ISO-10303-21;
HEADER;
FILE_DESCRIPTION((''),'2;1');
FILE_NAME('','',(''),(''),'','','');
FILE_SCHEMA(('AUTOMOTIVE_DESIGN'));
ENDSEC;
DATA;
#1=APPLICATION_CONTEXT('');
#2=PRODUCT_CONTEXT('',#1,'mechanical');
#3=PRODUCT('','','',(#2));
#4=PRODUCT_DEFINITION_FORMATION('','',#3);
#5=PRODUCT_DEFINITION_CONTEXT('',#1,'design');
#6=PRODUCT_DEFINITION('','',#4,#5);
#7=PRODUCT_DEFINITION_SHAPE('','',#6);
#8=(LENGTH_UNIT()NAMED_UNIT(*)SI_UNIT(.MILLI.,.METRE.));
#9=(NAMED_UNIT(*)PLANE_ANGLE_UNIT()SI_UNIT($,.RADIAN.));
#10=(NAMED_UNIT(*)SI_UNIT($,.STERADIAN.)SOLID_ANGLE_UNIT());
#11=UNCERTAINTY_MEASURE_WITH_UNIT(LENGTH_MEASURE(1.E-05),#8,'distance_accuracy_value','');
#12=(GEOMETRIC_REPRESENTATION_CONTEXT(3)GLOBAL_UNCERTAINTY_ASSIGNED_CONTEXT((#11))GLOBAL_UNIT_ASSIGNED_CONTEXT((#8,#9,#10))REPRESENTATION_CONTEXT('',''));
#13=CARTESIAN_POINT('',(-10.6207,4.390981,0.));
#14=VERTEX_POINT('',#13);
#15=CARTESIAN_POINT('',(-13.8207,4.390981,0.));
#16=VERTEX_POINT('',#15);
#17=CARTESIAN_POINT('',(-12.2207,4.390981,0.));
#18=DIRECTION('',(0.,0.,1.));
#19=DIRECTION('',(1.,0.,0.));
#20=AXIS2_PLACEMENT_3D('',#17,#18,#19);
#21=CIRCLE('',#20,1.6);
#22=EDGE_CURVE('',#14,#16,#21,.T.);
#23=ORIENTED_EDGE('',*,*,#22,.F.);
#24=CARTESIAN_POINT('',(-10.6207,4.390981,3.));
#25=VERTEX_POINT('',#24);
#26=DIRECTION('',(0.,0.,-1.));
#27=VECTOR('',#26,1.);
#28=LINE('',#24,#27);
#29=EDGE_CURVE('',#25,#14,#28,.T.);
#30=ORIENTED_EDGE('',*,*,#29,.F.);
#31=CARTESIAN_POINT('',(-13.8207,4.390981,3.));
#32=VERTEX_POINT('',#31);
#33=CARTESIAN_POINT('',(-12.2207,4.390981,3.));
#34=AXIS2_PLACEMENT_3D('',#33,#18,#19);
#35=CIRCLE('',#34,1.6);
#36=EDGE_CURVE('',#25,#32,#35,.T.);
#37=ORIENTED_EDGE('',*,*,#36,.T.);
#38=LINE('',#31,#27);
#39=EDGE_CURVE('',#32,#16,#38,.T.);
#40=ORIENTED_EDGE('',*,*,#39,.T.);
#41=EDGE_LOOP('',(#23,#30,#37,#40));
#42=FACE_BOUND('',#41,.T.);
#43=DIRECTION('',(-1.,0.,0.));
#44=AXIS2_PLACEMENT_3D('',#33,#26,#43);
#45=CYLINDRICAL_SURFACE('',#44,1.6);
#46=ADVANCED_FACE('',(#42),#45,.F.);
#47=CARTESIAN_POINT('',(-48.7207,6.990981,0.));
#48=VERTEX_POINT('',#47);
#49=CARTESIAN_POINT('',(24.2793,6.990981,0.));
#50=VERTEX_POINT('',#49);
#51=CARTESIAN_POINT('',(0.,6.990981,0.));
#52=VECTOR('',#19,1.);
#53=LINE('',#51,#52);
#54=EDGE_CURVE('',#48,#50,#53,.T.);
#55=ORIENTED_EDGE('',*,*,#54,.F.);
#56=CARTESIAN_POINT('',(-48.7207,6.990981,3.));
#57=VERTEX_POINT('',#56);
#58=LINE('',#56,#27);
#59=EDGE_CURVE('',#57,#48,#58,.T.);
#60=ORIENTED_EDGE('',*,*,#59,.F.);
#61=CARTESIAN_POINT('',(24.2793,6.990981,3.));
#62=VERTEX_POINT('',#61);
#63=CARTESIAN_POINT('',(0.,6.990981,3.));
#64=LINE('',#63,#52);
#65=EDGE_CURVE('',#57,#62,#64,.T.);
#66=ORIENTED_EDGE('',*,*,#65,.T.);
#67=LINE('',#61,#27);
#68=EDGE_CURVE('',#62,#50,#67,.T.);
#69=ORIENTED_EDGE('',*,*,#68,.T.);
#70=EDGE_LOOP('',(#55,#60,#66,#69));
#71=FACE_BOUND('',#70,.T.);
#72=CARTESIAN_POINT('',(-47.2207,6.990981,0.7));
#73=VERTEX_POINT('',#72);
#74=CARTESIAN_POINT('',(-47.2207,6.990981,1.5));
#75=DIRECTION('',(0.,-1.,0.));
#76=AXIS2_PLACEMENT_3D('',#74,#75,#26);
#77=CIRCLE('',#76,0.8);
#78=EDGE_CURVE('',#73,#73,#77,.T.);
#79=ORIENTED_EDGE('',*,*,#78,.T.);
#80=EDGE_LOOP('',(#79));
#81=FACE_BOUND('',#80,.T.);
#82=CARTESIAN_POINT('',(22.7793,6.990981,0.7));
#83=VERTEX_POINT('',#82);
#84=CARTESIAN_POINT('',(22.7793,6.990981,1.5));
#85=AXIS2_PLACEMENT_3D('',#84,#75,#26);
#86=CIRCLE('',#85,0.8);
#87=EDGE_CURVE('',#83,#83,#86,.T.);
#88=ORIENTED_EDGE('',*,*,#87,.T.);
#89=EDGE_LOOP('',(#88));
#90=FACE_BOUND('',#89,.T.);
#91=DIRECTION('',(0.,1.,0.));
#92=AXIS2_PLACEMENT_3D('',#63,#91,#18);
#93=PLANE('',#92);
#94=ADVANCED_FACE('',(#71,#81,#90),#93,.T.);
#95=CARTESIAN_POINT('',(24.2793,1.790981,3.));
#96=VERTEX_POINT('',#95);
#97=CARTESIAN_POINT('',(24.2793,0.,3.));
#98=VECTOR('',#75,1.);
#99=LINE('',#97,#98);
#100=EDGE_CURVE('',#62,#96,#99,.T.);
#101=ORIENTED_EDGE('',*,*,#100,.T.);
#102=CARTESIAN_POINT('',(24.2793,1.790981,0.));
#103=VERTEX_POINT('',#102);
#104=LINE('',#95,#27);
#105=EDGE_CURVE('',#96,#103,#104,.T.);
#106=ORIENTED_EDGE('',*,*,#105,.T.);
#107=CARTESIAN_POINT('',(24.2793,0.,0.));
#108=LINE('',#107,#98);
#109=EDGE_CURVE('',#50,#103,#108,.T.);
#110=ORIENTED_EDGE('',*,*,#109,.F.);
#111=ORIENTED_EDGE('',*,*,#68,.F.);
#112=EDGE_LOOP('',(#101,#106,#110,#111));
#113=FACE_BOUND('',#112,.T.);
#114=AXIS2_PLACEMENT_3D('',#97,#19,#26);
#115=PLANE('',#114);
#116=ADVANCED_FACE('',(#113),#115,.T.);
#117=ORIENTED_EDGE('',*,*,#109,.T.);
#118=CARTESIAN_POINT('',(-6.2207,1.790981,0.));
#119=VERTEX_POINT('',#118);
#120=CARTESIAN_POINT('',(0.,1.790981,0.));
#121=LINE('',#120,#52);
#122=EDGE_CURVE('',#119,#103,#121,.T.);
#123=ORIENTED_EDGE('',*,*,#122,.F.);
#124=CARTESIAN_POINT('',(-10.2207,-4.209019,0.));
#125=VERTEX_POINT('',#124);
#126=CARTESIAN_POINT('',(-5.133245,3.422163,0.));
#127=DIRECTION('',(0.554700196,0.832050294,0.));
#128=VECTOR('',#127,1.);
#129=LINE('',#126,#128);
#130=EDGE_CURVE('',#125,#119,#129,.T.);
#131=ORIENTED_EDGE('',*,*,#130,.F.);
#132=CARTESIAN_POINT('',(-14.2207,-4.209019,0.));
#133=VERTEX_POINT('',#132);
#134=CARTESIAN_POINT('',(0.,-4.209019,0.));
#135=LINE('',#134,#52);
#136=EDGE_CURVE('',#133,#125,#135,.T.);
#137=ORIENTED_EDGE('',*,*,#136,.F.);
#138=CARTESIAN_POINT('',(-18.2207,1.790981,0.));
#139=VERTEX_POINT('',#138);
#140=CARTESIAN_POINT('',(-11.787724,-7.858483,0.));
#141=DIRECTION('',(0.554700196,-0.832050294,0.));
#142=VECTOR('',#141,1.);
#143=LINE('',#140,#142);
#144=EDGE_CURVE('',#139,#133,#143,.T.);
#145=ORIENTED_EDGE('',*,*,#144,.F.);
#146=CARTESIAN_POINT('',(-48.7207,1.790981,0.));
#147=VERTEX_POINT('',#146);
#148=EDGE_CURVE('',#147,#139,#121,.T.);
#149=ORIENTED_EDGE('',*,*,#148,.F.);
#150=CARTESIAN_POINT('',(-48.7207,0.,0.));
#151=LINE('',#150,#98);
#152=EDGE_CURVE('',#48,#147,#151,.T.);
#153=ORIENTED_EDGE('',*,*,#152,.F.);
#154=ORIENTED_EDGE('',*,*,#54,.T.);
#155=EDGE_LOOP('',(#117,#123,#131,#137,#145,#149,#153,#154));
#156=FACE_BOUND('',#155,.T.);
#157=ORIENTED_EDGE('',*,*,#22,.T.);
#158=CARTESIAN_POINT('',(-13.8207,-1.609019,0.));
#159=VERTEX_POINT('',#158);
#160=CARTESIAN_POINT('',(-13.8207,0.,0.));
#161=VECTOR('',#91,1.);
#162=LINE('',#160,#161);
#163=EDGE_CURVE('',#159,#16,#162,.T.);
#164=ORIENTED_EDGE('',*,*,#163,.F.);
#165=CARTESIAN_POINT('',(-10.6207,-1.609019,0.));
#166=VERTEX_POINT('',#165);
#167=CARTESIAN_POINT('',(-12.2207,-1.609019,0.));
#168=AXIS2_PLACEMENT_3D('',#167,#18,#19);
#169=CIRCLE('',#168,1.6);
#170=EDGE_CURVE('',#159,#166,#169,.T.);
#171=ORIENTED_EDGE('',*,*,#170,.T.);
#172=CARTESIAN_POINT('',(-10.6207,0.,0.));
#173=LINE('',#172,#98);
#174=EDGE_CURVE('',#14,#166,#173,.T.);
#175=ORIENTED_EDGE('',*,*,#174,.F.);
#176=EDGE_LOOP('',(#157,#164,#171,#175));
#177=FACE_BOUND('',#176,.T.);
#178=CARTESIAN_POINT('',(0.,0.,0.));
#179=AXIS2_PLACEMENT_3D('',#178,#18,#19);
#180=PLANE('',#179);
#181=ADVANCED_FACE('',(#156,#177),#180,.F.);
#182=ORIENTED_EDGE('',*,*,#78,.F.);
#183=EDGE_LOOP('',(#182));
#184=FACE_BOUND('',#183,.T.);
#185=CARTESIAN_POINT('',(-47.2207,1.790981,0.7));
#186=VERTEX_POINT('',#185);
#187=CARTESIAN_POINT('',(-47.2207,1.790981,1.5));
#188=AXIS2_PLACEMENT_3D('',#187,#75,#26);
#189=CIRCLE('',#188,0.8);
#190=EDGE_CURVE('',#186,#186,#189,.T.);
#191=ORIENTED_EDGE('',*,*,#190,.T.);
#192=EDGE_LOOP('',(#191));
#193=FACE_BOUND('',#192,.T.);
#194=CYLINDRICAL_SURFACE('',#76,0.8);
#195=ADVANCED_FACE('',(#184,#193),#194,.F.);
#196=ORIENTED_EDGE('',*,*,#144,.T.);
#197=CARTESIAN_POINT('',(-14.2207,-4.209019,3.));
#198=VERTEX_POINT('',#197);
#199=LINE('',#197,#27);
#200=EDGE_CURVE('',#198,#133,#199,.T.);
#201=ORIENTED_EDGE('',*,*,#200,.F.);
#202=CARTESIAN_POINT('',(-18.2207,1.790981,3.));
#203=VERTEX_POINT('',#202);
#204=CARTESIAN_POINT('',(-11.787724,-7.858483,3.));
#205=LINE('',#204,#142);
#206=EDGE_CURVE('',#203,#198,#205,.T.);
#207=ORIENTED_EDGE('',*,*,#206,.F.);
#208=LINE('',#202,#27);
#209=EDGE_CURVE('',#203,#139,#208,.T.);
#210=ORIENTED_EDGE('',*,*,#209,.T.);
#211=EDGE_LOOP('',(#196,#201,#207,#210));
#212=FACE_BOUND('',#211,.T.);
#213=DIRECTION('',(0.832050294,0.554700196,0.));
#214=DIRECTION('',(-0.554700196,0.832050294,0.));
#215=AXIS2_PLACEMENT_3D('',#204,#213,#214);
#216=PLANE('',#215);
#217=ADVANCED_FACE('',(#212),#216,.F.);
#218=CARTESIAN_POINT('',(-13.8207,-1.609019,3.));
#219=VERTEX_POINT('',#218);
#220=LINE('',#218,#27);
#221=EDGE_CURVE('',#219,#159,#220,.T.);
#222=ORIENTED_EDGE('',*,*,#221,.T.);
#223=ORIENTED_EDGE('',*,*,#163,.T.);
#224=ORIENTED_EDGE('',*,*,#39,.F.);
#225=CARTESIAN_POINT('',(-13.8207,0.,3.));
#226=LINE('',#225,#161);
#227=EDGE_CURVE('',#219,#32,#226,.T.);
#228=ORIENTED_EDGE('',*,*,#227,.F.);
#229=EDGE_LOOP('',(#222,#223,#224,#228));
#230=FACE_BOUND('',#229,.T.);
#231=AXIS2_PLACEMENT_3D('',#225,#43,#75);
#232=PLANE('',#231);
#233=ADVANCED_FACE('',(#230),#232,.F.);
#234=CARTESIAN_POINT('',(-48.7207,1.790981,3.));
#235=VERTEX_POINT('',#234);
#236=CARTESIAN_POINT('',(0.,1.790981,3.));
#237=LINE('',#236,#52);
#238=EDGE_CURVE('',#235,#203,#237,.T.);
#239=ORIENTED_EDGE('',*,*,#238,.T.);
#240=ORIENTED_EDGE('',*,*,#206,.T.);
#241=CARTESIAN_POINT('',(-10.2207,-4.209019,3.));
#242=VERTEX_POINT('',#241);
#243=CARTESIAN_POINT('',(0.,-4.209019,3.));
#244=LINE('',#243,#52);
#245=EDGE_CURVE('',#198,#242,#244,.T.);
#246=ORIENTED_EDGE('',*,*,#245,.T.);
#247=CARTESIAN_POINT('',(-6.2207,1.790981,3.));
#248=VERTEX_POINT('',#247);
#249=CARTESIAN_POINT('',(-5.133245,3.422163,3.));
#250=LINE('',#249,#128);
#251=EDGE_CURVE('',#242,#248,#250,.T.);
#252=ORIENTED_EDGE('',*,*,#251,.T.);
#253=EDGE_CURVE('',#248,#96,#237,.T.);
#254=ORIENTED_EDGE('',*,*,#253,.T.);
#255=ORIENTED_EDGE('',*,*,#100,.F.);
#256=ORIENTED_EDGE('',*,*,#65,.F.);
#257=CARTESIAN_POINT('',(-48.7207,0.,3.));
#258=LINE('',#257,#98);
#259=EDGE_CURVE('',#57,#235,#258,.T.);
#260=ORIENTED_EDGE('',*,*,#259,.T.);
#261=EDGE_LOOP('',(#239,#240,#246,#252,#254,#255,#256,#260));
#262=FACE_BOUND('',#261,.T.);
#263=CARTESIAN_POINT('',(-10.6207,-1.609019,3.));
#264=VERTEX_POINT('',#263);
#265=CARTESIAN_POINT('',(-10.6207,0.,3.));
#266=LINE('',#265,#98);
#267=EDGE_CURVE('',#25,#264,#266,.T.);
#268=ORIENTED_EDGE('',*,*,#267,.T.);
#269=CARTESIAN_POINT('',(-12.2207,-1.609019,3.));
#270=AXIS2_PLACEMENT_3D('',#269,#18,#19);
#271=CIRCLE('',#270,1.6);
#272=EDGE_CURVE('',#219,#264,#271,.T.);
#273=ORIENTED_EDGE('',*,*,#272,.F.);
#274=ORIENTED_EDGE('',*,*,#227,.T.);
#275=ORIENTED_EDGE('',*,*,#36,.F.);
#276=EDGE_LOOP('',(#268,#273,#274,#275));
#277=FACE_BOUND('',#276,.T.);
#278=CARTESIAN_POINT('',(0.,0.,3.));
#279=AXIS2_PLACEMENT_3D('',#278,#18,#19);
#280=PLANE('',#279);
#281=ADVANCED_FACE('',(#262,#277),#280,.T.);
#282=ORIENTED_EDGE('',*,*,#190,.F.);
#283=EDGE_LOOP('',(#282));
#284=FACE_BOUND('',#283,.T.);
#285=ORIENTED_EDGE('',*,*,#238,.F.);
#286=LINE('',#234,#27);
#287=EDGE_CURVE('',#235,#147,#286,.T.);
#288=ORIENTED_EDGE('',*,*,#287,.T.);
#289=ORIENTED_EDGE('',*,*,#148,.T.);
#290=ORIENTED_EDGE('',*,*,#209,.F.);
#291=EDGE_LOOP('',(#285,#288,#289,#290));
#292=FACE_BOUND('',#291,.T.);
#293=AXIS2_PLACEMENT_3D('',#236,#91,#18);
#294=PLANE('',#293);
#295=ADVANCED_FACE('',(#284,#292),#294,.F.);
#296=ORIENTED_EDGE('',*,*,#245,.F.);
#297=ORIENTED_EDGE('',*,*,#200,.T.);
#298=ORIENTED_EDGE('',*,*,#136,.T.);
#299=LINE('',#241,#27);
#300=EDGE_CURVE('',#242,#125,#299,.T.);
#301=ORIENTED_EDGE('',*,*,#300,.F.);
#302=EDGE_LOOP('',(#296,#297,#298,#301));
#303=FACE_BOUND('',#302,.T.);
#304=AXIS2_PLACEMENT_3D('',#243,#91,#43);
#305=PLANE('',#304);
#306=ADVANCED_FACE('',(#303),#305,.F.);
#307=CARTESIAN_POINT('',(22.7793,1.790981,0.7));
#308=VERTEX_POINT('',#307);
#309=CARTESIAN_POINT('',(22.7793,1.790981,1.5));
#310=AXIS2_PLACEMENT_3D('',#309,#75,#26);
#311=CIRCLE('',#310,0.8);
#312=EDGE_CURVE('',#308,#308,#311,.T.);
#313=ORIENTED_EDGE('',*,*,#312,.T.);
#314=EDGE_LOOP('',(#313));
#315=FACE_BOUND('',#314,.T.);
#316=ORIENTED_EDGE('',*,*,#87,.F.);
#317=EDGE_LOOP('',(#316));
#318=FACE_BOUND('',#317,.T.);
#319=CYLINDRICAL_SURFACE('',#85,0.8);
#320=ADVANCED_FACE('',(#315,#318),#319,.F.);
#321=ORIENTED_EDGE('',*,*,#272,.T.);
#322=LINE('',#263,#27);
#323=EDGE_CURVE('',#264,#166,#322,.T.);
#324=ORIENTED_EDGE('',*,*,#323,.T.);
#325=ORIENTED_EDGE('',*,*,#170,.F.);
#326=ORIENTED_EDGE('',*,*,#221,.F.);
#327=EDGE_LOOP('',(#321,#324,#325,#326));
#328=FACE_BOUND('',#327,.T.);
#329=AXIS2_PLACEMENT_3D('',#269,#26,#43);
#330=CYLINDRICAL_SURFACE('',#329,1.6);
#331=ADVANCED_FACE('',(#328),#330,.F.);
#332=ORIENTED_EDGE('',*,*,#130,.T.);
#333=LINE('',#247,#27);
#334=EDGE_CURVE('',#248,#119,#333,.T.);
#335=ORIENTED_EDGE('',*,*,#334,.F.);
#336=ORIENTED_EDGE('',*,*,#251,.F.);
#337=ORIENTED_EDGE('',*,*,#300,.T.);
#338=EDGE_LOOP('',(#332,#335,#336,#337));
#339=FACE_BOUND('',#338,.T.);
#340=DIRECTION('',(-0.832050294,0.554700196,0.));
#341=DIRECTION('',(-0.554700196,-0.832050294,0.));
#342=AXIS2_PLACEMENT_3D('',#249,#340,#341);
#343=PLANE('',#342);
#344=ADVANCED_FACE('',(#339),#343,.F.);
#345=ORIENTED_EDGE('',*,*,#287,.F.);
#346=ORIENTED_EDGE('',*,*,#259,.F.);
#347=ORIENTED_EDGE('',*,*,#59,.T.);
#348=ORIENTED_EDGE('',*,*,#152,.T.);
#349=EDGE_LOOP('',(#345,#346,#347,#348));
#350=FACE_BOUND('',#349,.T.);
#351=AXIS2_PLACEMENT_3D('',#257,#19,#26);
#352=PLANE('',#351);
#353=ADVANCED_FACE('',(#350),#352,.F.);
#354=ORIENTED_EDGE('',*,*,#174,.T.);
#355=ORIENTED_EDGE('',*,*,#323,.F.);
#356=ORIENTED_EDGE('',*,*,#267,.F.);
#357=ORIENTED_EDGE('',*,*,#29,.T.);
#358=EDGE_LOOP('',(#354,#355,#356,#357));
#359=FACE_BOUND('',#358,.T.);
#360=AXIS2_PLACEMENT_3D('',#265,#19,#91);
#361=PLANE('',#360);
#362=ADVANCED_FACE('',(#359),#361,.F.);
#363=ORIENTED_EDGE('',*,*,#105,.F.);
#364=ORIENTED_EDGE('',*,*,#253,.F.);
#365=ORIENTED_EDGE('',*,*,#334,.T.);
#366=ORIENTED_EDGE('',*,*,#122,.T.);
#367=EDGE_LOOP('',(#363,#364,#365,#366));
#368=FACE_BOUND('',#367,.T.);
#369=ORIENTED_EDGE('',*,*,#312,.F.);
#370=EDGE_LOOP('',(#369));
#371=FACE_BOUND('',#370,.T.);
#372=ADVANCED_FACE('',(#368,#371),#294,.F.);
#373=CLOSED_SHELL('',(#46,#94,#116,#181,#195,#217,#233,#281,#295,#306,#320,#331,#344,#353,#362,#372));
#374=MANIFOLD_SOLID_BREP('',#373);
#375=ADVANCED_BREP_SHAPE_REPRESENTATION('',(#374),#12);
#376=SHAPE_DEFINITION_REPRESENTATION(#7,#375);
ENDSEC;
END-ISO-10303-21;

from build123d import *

# Parameters (mm, degrees)
BOSS_EXTRUDE1_DEPTH = 3
SKETCH2_R           = 0.8
CUT_EXTRUDE1_DEPTH  = 50.180347904


with BuildPart() as part:
    # Sketch1 → Boss-Extrude1 (new body)
    with BuildSketch(Plane.XY):
        Polygon((-48.720700118, 1.790980695), (-18.220700118, 1.790980695), (-14.220700118, -4.209019305), (-10.220700118, -4.209019305), (-6.220700118, 1.790980695), (24.279299882, 1.790980695), (24.279299882, 6.990980695), (-48.720700118, 6.990980695), align=None)
        with BuildLine():
            ThreePointArc((-10.620700118, -1.609019305), (-12.220700118, -3.209019305), (-13.820700118, -1.609019305))
            Line((-13.820700118, -1.609019305), (-13.820700118, 4.390980695))
            ThreePointArc((-13.820700118, 4.390980695), (-12.220700118, 5.990980695), (-10.620700118, 4.390980695))
            Line((-10.620700118, 4.390980695), (-10.620700118, -1.609019305))
        make_face(mode=Mode.SUBTRACT)
    extrude(amount=BOSS_EXTRUDE1_DEPTH)

    # Sketch2 → Cut-Extrude1 (cut, through all)
    with BuildSketch(Plane.XZ.offset(-1.790980695)):
        with Locations((22.779299882, 1.5)):
            Circle(SKETCH2_R)
        with Locations((-47.220700118, 1.5)):
            Circle(SKETCH2_R)
    extrude(amount=-CUT_EXTRUDE1_DEPTH, mode=Mode.SUBTRACT)


solid = part.part
